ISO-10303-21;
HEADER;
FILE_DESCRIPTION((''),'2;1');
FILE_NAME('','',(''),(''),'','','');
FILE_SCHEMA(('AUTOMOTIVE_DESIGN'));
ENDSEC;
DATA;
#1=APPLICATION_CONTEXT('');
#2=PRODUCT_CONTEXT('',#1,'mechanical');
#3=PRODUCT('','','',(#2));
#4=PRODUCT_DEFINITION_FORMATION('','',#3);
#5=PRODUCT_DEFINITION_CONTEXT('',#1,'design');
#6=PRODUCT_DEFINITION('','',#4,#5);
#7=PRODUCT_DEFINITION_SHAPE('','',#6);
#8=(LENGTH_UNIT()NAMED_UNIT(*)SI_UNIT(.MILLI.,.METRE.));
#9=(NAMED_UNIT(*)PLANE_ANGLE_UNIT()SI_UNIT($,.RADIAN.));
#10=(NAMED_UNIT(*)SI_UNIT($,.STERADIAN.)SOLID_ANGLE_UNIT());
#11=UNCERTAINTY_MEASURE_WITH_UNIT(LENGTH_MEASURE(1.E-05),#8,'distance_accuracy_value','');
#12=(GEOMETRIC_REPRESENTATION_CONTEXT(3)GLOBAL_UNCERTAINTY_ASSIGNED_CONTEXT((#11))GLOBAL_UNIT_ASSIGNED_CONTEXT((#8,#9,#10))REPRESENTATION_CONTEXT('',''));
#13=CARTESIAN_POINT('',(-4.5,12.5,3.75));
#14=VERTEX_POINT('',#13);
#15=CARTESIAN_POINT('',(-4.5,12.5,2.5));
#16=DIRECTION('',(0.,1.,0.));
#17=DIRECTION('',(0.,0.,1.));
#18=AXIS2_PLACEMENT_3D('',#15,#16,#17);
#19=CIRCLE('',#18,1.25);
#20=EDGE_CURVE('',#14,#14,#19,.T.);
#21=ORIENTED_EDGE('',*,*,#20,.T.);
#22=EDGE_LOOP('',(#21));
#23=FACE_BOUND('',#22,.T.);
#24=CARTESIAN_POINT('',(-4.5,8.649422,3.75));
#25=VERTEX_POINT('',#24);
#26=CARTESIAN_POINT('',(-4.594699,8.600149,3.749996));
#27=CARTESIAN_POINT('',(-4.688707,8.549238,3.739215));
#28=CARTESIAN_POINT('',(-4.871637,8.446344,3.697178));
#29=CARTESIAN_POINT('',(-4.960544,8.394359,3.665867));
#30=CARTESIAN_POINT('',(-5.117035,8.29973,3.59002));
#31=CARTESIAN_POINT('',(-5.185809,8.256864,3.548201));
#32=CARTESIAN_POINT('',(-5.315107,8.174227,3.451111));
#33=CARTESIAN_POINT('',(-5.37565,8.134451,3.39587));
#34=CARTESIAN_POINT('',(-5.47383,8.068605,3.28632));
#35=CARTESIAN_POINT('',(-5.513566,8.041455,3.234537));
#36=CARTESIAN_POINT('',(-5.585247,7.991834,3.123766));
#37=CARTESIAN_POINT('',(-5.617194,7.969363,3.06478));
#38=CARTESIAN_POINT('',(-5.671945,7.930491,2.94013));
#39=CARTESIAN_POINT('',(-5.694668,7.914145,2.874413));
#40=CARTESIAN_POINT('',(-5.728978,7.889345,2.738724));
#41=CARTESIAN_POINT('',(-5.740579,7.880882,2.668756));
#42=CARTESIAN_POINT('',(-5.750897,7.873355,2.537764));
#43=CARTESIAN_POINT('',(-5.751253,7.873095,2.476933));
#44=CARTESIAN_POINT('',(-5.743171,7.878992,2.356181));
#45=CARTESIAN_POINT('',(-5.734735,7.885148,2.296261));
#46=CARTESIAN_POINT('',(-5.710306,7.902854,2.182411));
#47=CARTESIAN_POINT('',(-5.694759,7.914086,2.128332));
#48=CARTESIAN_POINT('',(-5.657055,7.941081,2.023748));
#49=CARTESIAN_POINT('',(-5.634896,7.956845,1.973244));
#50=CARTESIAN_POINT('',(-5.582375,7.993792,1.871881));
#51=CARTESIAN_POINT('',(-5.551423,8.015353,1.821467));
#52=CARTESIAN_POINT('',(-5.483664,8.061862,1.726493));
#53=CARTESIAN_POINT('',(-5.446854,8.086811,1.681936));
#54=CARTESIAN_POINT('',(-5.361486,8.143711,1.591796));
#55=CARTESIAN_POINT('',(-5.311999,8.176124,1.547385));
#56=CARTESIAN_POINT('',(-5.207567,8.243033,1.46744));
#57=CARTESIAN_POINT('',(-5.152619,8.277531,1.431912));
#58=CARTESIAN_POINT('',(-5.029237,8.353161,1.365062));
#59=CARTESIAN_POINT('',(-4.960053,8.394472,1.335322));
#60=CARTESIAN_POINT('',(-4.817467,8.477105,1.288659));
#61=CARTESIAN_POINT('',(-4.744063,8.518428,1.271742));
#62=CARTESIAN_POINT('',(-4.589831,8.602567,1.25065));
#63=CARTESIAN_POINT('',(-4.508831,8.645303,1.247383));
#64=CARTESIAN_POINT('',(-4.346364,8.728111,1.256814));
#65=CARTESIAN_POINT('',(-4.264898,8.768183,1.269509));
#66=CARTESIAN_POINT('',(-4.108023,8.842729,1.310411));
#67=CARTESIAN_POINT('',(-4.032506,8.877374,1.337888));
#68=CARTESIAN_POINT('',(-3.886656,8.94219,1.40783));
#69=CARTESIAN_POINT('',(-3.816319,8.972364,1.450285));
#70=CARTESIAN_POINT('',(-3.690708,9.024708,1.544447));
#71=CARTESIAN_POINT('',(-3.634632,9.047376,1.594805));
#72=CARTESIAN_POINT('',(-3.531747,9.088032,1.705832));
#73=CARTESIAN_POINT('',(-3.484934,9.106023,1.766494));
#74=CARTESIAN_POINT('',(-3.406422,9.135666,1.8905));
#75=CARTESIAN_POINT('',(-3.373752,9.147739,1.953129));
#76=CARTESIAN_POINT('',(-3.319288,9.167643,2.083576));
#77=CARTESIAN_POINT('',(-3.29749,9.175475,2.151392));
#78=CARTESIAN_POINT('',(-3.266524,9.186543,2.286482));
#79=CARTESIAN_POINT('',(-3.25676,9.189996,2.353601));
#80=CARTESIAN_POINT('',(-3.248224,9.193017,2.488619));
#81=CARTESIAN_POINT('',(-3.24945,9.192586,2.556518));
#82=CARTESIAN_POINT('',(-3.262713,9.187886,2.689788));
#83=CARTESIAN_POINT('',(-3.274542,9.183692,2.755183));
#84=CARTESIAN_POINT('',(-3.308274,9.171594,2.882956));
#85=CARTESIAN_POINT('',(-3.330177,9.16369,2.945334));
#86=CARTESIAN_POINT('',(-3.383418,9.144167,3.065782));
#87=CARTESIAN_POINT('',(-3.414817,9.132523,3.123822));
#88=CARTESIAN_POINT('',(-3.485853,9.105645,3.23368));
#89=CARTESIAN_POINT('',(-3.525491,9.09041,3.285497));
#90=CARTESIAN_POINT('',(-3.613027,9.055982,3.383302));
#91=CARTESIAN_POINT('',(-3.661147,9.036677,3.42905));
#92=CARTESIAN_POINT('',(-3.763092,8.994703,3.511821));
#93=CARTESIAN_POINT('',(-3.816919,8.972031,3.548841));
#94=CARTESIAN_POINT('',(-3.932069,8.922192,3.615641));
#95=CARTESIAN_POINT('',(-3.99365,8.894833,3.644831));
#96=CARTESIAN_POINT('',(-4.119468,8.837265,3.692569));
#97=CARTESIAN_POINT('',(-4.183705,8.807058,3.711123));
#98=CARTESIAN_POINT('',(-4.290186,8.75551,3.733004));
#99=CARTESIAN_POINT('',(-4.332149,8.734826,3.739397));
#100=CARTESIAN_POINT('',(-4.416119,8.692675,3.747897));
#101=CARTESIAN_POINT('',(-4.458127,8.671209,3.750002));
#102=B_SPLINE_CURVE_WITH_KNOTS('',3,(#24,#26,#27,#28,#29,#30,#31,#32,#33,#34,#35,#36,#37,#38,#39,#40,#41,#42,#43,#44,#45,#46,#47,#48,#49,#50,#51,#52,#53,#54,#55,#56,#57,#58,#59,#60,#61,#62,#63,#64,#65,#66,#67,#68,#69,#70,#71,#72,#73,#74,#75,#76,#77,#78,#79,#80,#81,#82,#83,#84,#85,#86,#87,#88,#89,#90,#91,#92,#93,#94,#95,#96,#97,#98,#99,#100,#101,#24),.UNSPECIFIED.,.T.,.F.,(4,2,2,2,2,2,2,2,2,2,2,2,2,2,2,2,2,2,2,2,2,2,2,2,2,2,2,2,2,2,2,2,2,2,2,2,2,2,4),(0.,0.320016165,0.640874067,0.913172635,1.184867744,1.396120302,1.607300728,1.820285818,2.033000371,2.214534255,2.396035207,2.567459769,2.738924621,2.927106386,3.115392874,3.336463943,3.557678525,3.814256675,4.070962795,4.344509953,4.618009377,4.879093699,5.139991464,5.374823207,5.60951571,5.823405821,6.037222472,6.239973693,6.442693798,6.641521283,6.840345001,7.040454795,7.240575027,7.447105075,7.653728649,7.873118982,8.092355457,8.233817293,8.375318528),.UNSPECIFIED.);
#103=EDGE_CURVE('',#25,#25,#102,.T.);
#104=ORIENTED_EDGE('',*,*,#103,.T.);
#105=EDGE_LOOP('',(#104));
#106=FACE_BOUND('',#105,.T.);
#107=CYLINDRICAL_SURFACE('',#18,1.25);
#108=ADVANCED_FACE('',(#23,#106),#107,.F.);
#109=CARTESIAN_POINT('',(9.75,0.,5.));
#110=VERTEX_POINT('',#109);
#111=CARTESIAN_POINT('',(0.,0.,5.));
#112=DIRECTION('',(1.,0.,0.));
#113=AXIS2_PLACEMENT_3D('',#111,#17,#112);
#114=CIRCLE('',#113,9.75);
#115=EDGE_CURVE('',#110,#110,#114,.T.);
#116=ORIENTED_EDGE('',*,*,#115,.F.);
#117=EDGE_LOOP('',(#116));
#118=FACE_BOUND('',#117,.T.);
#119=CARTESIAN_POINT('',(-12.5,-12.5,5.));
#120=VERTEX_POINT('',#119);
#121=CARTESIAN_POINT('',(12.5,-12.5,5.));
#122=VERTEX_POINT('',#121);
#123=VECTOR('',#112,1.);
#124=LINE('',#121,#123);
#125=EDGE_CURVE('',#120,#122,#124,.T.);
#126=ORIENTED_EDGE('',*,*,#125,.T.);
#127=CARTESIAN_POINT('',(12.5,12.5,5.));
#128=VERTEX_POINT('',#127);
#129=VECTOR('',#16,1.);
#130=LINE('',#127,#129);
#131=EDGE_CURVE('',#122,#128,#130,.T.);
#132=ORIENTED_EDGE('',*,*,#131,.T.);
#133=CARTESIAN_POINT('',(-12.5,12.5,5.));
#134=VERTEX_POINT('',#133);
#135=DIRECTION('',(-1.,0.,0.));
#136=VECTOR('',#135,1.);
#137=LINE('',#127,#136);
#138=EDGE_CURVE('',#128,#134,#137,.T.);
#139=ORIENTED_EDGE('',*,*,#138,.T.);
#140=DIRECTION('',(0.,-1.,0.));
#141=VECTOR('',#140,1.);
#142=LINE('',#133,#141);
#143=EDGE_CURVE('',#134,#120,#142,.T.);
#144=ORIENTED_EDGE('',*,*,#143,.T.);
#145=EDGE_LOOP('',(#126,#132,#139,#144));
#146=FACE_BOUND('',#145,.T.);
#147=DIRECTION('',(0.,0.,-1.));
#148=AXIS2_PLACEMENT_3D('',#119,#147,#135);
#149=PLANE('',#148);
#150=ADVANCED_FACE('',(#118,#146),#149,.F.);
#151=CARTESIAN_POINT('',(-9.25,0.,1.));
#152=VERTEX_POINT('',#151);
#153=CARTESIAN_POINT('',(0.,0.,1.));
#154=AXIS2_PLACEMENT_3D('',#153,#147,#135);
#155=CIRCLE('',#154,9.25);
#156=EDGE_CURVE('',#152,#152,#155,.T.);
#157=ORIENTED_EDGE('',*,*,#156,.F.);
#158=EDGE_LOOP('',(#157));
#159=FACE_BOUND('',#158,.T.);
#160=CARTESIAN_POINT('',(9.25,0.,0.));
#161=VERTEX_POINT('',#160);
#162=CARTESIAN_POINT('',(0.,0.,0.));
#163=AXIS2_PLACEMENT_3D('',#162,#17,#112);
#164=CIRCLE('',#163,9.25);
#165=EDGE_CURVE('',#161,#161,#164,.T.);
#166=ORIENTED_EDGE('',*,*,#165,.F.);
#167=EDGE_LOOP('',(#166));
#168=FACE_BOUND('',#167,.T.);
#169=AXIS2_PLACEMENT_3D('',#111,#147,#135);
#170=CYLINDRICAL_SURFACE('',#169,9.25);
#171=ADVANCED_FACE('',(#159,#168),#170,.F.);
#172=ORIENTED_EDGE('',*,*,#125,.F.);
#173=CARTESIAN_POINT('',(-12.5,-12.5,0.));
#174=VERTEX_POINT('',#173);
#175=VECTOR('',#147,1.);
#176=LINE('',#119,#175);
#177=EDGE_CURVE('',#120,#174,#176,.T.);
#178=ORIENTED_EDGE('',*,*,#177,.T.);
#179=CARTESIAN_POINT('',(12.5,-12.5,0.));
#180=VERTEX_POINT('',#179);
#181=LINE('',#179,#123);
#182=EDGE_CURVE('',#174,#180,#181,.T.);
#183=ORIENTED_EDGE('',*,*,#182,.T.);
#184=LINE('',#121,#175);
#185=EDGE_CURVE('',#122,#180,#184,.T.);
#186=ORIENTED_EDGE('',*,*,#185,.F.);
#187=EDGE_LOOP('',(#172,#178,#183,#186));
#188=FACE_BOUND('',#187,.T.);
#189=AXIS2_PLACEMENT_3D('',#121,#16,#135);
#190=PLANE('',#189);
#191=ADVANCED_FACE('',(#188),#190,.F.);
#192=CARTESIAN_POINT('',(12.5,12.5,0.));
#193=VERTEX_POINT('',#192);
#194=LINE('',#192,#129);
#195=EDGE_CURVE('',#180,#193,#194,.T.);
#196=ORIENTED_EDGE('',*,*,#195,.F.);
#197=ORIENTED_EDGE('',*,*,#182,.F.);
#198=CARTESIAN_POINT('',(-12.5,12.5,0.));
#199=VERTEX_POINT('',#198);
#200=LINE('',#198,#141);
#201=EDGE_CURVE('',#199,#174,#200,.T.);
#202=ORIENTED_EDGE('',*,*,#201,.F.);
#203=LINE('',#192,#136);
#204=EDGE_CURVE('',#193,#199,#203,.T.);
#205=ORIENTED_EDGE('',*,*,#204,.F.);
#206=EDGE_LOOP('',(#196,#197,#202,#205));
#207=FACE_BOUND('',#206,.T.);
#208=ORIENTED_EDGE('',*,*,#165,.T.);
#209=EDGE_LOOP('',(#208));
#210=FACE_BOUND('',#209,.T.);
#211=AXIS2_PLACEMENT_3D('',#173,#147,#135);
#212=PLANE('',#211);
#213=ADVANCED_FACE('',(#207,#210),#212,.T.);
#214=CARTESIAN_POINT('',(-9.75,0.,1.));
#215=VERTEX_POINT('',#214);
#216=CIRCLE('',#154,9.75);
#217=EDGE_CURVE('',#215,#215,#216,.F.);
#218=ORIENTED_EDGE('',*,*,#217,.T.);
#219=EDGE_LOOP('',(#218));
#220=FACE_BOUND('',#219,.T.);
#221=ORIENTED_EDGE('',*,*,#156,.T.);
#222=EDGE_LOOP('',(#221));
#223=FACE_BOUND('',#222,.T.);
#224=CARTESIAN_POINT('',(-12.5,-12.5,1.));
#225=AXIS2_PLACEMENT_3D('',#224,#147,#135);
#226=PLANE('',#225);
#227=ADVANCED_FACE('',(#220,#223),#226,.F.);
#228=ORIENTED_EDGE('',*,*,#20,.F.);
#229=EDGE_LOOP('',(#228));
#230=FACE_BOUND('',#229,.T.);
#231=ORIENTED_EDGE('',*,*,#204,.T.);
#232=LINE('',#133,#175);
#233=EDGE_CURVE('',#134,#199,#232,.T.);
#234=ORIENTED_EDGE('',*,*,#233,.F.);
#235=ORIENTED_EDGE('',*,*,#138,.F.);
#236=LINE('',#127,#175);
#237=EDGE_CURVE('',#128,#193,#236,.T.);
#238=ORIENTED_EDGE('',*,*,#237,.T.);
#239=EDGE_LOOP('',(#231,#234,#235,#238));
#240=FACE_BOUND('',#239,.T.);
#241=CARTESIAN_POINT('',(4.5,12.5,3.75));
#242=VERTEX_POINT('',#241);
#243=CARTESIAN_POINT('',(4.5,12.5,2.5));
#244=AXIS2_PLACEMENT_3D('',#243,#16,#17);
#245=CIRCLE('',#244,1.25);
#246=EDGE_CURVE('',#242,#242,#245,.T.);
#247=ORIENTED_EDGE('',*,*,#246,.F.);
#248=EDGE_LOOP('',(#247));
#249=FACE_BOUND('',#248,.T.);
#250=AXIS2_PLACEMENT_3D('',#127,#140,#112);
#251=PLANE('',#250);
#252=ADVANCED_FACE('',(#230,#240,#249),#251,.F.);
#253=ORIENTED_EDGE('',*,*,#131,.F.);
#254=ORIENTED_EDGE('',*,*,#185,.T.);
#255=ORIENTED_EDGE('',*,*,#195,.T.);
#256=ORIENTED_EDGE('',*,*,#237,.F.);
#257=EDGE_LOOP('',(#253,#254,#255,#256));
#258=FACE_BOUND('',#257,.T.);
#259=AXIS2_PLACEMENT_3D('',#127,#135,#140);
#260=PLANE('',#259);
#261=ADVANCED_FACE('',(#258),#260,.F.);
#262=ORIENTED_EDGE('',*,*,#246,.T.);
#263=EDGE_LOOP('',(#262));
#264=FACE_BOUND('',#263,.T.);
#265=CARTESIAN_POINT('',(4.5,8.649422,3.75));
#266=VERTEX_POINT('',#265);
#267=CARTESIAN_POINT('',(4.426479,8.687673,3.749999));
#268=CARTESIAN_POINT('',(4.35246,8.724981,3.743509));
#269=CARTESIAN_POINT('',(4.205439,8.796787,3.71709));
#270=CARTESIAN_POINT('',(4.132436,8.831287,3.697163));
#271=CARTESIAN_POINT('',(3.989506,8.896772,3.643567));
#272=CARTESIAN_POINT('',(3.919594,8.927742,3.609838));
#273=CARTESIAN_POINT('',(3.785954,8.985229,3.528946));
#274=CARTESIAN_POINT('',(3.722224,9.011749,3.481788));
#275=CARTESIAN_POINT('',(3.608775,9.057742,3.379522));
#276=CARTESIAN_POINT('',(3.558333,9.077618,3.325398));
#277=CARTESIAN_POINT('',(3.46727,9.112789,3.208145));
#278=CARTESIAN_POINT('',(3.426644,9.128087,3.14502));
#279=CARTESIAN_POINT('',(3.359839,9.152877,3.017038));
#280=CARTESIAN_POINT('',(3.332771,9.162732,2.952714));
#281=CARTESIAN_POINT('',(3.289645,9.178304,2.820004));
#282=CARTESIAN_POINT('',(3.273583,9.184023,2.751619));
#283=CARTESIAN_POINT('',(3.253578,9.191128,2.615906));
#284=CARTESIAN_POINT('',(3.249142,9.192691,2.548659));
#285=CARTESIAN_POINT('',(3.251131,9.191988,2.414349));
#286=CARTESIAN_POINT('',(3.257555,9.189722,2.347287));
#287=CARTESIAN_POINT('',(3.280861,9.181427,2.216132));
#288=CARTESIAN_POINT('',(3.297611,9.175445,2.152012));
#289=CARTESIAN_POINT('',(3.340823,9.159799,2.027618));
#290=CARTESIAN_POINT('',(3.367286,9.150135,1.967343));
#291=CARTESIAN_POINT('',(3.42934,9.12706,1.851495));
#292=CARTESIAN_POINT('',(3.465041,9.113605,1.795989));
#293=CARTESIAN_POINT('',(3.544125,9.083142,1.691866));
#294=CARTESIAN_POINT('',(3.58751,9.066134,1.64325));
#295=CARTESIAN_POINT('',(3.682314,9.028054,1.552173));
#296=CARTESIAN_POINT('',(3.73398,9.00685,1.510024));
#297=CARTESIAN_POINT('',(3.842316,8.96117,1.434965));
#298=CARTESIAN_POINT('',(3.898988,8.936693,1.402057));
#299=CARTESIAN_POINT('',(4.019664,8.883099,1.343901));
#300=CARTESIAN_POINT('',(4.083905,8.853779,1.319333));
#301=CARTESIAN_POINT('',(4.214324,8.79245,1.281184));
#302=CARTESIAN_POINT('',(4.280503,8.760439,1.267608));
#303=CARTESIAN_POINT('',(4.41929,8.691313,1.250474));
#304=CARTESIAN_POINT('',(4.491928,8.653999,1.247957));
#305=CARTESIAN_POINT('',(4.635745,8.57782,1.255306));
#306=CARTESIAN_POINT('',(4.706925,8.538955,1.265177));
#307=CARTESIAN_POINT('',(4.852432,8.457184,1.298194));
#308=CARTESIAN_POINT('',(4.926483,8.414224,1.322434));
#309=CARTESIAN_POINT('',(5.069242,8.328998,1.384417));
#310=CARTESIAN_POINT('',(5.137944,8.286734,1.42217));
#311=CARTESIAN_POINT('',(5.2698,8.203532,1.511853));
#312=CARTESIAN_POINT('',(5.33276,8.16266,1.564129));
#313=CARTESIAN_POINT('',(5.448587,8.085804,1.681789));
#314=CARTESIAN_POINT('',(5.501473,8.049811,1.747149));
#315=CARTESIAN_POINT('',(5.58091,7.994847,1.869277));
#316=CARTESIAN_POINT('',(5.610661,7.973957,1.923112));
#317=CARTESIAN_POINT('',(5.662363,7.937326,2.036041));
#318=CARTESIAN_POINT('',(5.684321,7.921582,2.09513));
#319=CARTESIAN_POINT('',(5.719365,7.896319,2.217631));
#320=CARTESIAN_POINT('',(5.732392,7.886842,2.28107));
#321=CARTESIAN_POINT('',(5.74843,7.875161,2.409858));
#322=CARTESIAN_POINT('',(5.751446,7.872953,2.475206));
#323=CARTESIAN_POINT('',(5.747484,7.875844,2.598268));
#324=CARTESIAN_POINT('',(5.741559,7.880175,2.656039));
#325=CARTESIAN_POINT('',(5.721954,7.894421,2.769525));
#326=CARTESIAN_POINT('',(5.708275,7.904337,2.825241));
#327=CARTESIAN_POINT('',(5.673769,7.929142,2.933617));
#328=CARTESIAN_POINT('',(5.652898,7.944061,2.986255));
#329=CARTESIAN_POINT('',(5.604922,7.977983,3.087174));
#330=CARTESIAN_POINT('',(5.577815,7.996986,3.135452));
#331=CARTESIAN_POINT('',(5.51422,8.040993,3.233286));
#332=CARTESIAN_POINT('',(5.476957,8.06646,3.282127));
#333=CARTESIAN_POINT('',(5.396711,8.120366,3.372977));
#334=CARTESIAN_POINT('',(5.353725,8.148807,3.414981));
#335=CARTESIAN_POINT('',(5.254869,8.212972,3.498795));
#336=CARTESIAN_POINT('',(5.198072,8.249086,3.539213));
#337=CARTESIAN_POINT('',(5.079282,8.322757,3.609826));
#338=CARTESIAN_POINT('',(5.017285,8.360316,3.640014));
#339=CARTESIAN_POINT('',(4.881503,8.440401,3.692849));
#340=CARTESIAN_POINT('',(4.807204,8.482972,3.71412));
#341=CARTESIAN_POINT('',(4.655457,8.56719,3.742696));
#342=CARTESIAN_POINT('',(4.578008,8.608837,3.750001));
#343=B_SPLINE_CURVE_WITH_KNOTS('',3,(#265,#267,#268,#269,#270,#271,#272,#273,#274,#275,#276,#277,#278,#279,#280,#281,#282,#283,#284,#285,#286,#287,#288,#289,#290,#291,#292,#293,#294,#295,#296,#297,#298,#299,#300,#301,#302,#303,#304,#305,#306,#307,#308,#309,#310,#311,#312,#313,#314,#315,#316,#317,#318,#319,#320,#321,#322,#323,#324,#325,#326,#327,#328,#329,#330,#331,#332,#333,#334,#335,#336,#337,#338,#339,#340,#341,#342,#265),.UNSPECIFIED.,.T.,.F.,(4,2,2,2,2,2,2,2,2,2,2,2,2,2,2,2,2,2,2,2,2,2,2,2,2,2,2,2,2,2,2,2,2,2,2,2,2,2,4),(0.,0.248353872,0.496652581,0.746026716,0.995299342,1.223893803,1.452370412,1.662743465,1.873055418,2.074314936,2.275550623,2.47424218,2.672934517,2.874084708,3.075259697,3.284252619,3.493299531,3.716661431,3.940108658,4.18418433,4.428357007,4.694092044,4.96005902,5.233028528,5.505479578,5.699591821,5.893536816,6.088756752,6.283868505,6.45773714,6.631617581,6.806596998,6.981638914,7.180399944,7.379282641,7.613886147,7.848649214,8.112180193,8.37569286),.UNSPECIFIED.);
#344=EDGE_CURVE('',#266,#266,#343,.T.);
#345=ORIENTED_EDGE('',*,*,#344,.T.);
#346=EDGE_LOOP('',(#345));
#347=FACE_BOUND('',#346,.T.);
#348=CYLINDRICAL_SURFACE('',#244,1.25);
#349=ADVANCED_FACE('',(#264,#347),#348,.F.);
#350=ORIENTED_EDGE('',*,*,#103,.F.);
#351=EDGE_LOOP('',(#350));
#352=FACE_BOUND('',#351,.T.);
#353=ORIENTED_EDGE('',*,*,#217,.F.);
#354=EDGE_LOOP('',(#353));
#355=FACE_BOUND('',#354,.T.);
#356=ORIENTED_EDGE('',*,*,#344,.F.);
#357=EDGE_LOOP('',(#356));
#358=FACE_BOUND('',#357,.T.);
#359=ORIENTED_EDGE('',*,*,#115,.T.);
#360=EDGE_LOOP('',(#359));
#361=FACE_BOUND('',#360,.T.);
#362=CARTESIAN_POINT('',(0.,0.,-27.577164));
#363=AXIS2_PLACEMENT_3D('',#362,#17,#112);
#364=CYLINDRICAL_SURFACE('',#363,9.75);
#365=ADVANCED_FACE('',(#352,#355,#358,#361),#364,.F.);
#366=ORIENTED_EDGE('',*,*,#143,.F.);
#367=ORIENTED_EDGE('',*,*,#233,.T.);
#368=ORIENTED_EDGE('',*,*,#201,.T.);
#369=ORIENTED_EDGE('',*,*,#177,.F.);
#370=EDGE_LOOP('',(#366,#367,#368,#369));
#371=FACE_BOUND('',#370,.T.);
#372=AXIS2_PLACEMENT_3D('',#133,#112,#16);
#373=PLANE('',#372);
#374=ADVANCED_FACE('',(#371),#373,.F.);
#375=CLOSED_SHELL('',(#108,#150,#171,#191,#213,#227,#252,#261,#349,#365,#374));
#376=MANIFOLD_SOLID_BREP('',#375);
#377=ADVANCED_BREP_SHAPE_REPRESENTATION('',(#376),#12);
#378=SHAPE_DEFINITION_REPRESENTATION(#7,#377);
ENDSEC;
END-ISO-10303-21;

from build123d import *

# Parameters (mm, degrees)
SKETCH1_W                 = 25
SKETCH1_H                 = 25
SKETCH1_R                 = 9.25
BOSS_EXTRUDE1_DEPTH       = 5
M3X0_5_TAPPED_HOLE1_D     = 2.5
M3X0_5_TAPPED_HOLE1_DEPTH = 7.5
M3X0_5_TAPPED_HOLE1_TIP   = 0.751075774
SKETCH4_R                 = 9.75
CUT_EXTRUDE1_DEPTH        = 4


with BuildPart() as part:
    # Sketch1 → Boss-Extrude1 (new body)
    with BuildSketch(Plane.XY):
        Rectangle(SKETCH1_W, SKETCH1_H)
        Circle(SKETCH1_R, mode=Mode.SUBTRACT)
    extrude(amount=BOSS_EXTRUDE1_DEPTH)

    # M3x0.5 Tapped Hole1
    with Locations(Plane(origin=(0, 12.5, 0), x_dir=(-1, 0, 0), z_dir=(0, 1, 0))):
        with Locations((4.5, 2.5), (-4.5, 2.5)):
            Hole(M3X0_5_TAPPED_HOLE1_D / 2, depth=M3X0_5_TAPPED_HOLE1_DEPTH)
            with Locations((0, 0, -(M3X0_5_TAPPED_HOLE1_DEPTH + M3X0_5_TAPPED_HOLE1_TIP / 2))):  # 118° drill point
                Cone(0, M3X0_5_TAPPED_HOLE1_D / 2, M3X0_5_TAPPED_HOLE1_TIP, mode=Mode.SUBTRACT)

    # Sketch4 → Cut-Extrude1 (cut)
    with BuildSketch(Plane.XY.offset(5)):
        Circle(SKETCH4_R)
    extrude(amount=-CUT_EXTRUDE1_DEPTH, mode=Mode.SUBTRACT)


solid = part.part
